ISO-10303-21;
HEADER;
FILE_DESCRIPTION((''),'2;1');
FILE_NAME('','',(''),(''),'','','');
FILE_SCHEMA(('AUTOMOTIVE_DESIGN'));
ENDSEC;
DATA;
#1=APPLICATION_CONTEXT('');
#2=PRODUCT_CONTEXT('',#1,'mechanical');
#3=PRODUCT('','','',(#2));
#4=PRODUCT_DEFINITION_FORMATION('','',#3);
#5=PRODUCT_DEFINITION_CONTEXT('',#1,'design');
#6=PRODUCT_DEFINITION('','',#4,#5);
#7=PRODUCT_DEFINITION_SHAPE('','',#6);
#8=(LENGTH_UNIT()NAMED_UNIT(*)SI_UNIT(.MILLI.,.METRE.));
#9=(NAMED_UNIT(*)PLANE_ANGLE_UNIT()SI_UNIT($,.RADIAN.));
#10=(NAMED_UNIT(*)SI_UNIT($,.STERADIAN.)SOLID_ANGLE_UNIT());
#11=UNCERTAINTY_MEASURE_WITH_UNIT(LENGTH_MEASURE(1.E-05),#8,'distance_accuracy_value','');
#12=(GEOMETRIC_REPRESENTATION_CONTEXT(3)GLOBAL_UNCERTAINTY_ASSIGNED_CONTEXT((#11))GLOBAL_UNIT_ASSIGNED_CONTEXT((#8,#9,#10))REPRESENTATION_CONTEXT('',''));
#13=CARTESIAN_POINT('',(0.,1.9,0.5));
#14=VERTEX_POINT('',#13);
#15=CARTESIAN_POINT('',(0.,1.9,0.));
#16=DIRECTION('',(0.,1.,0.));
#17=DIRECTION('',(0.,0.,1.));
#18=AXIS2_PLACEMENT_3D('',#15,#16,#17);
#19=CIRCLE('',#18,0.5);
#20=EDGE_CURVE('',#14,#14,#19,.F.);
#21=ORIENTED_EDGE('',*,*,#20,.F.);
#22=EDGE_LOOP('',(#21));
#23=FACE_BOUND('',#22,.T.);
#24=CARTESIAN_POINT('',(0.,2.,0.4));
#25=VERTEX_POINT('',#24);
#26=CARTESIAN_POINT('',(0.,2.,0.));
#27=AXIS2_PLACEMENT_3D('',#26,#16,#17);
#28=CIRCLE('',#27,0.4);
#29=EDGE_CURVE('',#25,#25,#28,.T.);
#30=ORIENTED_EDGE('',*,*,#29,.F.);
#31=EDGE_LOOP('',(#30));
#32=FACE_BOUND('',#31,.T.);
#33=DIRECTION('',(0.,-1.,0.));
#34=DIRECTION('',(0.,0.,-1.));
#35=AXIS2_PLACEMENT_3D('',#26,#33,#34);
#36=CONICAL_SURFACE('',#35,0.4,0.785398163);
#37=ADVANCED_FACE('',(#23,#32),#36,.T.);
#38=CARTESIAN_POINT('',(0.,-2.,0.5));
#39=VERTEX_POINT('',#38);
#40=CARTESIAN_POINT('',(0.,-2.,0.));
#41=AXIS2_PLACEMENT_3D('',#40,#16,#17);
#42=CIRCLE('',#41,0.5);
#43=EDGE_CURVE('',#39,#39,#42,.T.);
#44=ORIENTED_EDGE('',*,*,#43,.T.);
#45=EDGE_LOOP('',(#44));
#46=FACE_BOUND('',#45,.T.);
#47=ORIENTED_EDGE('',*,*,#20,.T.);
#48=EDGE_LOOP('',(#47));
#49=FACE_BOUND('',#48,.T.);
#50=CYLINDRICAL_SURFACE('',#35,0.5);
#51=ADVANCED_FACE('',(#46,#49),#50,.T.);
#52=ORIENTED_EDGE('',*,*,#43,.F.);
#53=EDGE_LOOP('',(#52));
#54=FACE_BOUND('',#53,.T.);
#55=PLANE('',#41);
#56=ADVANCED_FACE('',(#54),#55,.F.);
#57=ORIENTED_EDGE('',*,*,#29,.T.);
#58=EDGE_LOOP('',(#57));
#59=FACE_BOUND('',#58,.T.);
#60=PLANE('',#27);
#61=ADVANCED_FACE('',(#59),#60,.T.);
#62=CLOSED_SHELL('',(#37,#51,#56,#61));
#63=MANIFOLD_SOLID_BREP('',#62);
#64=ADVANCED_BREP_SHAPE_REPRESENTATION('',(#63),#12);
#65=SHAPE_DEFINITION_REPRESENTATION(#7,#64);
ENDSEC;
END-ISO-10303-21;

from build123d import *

# Parameters (mm, degrees)
SCHIZZO1_R                   = 0.5
ESTRUSIONE_ESTRUSIONE1_DEPTH = 2
SMUSSO1_SIZE                 = 0.1


with BuildPart() as part:
    # Schizzo1 → Estrusione-Estrusione1 (new body, symmetric)
    with BuildSketch(Plane(origin=(0, 0, 0), x_dir=(1, 0, 0), z_dir=(0, 1, 0))):
        Circle(SCHIZZO1_R)
    extrude(amount=ESTRUSIONE_ESTRUSIONE1_DEPTH, both=True)

    # Smusso1
    smusso1_edges = [part.edges().sort_by_distance(p)[0] for p in [
        (-0.5, 2, 0),
    ]]
    chamfer(smusso1_edges, length=SMUSSO1_SIZE)


solid = part.part
